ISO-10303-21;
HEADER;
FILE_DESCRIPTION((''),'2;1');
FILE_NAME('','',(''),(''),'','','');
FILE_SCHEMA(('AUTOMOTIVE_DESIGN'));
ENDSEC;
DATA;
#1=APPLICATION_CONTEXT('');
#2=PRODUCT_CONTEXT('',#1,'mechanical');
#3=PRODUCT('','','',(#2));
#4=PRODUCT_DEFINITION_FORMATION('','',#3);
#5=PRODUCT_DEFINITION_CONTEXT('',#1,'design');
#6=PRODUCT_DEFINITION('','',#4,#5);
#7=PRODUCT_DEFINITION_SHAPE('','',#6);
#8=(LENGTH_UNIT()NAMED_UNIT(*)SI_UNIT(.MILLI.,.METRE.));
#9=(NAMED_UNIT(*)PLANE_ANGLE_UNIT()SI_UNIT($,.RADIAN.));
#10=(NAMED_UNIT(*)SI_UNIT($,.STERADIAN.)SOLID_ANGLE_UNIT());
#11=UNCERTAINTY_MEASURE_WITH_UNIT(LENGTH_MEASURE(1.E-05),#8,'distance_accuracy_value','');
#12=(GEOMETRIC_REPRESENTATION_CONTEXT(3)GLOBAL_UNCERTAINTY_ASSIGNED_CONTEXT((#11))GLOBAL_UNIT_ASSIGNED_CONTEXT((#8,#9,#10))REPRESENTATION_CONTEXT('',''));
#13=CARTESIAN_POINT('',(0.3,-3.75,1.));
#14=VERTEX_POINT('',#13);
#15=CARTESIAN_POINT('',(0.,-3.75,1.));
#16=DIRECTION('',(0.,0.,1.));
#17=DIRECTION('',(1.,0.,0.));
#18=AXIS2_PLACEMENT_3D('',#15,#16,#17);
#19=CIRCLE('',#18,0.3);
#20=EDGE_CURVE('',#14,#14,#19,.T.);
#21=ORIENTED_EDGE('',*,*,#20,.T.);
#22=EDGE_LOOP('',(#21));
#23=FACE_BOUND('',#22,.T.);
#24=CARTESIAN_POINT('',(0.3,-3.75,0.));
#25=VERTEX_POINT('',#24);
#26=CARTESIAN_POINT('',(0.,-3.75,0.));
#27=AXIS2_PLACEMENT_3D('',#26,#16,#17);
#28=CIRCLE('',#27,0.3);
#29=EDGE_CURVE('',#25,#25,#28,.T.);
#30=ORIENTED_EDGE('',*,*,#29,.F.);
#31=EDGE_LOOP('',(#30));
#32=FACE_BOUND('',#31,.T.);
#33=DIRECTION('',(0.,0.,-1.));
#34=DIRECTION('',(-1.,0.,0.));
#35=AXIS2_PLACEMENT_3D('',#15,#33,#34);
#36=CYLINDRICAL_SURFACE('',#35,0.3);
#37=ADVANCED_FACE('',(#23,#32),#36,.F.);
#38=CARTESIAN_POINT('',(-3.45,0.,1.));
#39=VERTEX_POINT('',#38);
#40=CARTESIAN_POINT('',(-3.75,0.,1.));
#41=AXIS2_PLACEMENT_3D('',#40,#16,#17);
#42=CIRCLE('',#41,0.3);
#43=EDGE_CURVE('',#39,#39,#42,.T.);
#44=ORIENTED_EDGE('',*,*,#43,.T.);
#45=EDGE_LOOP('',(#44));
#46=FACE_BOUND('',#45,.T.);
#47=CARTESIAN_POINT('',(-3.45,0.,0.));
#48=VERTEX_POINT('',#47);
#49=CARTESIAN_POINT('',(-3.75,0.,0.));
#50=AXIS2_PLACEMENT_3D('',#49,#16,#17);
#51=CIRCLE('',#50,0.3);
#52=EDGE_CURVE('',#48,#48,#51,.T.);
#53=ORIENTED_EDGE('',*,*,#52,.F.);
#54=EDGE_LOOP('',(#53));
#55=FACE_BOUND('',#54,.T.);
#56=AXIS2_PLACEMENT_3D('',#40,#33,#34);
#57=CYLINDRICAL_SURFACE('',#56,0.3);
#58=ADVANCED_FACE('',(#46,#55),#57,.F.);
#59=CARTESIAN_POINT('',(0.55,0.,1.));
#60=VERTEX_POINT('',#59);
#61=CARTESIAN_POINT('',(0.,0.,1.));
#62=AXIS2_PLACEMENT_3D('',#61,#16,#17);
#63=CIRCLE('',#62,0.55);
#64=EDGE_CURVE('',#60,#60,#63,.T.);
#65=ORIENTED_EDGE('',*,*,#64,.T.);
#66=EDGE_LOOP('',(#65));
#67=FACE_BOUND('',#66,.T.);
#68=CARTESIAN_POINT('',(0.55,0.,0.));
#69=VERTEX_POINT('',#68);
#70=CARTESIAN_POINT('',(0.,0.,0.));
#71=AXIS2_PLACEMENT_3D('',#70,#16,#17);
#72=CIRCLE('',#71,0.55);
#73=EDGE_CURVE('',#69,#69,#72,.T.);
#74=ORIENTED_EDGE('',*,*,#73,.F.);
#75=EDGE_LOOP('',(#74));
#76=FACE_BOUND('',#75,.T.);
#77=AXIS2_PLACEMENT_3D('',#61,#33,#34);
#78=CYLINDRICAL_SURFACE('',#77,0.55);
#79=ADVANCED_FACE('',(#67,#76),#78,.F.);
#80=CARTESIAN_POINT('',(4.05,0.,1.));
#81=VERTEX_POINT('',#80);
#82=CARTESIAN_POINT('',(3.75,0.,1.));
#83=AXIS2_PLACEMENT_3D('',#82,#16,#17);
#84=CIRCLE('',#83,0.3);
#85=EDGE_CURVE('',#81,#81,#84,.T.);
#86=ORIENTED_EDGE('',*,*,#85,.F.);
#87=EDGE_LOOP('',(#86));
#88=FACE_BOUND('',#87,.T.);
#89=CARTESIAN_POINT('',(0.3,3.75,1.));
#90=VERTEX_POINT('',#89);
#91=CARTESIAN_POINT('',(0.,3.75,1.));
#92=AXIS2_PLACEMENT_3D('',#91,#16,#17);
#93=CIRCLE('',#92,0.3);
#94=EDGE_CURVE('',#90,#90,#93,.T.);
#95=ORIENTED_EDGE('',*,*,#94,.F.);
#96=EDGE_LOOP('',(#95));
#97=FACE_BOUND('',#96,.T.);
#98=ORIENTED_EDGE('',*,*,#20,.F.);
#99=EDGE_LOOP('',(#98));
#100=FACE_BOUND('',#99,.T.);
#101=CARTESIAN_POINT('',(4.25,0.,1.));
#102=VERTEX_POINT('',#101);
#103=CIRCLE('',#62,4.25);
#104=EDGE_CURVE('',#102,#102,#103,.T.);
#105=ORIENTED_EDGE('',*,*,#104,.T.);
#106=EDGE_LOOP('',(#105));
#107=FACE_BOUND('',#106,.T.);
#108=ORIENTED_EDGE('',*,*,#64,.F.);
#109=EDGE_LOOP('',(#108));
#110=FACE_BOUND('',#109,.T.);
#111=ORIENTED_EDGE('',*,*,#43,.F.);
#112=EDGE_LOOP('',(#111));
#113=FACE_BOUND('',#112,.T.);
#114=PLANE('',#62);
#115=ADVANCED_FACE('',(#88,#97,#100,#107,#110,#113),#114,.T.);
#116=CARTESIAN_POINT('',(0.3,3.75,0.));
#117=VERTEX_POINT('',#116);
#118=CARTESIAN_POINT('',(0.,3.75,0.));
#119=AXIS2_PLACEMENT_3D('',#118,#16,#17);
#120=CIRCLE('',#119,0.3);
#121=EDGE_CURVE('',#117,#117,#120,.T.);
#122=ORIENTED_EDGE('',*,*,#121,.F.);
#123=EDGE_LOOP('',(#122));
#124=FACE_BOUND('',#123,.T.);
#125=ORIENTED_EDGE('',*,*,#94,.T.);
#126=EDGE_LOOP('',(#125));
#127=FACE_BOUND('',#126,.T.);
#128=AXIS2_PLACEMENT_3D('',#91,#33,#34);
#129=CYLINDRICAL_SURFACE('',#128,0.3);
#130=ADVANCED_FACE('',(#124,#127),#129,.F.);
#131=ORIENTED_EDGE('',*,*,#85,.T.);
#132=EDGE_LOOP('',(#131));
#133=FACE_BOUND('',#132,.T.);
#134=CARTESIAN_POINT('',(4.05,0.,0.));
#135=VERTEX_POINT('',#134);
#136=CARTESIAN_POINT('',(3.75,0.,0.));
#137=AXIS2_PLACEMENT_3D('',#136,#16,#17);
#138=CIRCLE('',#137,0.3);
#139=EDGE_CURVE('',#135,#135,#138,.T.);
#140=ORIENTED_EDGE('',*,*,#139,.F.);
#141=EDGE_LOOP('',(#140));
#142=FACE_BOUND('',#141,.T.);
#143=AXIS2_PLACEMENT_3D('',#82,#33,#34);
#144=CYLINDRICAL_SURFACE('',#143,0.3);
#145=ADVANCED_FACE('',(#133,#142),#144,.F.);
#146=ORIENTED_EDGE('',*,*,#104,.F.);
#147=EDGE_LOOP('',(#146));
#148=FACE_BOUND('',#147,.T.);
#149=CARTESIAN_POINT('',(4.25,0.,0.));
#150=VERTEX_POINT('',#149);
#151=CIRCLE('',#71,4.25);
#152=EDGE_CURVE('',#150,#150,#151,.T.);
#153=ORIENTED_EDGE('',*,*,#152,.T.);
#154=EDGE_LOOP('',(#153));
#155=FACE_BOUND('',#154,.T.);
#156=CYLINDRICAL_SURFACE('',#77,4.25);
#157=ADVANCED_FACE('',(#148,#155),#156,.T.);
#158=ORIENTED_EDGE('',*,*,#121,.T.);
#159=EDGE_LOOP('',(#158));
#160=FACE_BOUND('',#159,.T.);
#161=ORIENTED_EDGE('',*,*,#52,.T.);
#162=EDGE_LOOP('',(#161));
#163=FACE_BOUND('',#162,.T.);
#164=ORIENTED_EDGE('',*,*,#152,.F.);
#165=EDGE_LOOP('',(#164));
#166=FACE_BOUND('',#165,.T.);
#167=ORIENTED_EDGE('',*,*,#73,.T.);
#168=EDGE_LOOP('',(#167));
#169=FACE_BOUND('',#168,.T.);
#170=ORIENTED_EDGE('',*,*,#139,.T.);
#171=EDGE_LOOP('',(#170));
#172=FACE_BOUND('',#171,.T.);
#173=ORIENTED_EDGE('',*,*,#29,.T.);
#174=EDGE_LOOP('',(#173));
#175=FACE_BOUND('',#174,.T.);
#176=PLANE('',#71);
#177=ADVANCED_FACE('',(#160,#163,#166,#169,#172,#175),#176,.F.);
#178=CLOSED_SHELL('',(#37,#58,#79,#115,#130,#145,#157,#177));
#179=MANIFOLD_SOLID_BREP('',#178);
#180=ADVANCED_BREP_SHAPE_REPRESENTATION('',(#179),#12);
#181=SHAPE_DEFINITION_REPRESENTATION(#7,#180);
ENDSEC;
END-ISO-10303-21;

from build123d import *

# Parameters (mm, degrees)
ESQUISSE1_R        = 4.25
ESQUISSE1_R_2      = 0.3
ESQUISSE1_R_3      = 0.55
BOSS_EXTRU_1_DEPTH = 1


with BuildPart() as part:
    # Esquisse1 → Boss.-Extru.1 (new body)
    with BuildSketch(Plane.XY):
        Circle(ESQUISSE1_R)
        with Locations((0, 3.75)):
            Circle(ESQUISSE1_R_2, mode=Mode.SUBTRACT)
        Circle(ESQUISSE1_R_3, mode=Mode.SUBTRACT)
        with Locations((3.75, 0)):
            Circle(ESQUISSE1_R_2, mode=Mode.SUBTRACT)
        with Locations((0, -3.75)):
            Circle(ESQUISSE1_R_2, mode=Mode.SUBTRACT)
        with Locations((-3.75, 0)):
            Circle(ESQUISSE1_R_2, mode=Mode.SUBTRACT)
    extrude(amount=BOSS_EXTRU_1_DEPTH)


solid = part.part
